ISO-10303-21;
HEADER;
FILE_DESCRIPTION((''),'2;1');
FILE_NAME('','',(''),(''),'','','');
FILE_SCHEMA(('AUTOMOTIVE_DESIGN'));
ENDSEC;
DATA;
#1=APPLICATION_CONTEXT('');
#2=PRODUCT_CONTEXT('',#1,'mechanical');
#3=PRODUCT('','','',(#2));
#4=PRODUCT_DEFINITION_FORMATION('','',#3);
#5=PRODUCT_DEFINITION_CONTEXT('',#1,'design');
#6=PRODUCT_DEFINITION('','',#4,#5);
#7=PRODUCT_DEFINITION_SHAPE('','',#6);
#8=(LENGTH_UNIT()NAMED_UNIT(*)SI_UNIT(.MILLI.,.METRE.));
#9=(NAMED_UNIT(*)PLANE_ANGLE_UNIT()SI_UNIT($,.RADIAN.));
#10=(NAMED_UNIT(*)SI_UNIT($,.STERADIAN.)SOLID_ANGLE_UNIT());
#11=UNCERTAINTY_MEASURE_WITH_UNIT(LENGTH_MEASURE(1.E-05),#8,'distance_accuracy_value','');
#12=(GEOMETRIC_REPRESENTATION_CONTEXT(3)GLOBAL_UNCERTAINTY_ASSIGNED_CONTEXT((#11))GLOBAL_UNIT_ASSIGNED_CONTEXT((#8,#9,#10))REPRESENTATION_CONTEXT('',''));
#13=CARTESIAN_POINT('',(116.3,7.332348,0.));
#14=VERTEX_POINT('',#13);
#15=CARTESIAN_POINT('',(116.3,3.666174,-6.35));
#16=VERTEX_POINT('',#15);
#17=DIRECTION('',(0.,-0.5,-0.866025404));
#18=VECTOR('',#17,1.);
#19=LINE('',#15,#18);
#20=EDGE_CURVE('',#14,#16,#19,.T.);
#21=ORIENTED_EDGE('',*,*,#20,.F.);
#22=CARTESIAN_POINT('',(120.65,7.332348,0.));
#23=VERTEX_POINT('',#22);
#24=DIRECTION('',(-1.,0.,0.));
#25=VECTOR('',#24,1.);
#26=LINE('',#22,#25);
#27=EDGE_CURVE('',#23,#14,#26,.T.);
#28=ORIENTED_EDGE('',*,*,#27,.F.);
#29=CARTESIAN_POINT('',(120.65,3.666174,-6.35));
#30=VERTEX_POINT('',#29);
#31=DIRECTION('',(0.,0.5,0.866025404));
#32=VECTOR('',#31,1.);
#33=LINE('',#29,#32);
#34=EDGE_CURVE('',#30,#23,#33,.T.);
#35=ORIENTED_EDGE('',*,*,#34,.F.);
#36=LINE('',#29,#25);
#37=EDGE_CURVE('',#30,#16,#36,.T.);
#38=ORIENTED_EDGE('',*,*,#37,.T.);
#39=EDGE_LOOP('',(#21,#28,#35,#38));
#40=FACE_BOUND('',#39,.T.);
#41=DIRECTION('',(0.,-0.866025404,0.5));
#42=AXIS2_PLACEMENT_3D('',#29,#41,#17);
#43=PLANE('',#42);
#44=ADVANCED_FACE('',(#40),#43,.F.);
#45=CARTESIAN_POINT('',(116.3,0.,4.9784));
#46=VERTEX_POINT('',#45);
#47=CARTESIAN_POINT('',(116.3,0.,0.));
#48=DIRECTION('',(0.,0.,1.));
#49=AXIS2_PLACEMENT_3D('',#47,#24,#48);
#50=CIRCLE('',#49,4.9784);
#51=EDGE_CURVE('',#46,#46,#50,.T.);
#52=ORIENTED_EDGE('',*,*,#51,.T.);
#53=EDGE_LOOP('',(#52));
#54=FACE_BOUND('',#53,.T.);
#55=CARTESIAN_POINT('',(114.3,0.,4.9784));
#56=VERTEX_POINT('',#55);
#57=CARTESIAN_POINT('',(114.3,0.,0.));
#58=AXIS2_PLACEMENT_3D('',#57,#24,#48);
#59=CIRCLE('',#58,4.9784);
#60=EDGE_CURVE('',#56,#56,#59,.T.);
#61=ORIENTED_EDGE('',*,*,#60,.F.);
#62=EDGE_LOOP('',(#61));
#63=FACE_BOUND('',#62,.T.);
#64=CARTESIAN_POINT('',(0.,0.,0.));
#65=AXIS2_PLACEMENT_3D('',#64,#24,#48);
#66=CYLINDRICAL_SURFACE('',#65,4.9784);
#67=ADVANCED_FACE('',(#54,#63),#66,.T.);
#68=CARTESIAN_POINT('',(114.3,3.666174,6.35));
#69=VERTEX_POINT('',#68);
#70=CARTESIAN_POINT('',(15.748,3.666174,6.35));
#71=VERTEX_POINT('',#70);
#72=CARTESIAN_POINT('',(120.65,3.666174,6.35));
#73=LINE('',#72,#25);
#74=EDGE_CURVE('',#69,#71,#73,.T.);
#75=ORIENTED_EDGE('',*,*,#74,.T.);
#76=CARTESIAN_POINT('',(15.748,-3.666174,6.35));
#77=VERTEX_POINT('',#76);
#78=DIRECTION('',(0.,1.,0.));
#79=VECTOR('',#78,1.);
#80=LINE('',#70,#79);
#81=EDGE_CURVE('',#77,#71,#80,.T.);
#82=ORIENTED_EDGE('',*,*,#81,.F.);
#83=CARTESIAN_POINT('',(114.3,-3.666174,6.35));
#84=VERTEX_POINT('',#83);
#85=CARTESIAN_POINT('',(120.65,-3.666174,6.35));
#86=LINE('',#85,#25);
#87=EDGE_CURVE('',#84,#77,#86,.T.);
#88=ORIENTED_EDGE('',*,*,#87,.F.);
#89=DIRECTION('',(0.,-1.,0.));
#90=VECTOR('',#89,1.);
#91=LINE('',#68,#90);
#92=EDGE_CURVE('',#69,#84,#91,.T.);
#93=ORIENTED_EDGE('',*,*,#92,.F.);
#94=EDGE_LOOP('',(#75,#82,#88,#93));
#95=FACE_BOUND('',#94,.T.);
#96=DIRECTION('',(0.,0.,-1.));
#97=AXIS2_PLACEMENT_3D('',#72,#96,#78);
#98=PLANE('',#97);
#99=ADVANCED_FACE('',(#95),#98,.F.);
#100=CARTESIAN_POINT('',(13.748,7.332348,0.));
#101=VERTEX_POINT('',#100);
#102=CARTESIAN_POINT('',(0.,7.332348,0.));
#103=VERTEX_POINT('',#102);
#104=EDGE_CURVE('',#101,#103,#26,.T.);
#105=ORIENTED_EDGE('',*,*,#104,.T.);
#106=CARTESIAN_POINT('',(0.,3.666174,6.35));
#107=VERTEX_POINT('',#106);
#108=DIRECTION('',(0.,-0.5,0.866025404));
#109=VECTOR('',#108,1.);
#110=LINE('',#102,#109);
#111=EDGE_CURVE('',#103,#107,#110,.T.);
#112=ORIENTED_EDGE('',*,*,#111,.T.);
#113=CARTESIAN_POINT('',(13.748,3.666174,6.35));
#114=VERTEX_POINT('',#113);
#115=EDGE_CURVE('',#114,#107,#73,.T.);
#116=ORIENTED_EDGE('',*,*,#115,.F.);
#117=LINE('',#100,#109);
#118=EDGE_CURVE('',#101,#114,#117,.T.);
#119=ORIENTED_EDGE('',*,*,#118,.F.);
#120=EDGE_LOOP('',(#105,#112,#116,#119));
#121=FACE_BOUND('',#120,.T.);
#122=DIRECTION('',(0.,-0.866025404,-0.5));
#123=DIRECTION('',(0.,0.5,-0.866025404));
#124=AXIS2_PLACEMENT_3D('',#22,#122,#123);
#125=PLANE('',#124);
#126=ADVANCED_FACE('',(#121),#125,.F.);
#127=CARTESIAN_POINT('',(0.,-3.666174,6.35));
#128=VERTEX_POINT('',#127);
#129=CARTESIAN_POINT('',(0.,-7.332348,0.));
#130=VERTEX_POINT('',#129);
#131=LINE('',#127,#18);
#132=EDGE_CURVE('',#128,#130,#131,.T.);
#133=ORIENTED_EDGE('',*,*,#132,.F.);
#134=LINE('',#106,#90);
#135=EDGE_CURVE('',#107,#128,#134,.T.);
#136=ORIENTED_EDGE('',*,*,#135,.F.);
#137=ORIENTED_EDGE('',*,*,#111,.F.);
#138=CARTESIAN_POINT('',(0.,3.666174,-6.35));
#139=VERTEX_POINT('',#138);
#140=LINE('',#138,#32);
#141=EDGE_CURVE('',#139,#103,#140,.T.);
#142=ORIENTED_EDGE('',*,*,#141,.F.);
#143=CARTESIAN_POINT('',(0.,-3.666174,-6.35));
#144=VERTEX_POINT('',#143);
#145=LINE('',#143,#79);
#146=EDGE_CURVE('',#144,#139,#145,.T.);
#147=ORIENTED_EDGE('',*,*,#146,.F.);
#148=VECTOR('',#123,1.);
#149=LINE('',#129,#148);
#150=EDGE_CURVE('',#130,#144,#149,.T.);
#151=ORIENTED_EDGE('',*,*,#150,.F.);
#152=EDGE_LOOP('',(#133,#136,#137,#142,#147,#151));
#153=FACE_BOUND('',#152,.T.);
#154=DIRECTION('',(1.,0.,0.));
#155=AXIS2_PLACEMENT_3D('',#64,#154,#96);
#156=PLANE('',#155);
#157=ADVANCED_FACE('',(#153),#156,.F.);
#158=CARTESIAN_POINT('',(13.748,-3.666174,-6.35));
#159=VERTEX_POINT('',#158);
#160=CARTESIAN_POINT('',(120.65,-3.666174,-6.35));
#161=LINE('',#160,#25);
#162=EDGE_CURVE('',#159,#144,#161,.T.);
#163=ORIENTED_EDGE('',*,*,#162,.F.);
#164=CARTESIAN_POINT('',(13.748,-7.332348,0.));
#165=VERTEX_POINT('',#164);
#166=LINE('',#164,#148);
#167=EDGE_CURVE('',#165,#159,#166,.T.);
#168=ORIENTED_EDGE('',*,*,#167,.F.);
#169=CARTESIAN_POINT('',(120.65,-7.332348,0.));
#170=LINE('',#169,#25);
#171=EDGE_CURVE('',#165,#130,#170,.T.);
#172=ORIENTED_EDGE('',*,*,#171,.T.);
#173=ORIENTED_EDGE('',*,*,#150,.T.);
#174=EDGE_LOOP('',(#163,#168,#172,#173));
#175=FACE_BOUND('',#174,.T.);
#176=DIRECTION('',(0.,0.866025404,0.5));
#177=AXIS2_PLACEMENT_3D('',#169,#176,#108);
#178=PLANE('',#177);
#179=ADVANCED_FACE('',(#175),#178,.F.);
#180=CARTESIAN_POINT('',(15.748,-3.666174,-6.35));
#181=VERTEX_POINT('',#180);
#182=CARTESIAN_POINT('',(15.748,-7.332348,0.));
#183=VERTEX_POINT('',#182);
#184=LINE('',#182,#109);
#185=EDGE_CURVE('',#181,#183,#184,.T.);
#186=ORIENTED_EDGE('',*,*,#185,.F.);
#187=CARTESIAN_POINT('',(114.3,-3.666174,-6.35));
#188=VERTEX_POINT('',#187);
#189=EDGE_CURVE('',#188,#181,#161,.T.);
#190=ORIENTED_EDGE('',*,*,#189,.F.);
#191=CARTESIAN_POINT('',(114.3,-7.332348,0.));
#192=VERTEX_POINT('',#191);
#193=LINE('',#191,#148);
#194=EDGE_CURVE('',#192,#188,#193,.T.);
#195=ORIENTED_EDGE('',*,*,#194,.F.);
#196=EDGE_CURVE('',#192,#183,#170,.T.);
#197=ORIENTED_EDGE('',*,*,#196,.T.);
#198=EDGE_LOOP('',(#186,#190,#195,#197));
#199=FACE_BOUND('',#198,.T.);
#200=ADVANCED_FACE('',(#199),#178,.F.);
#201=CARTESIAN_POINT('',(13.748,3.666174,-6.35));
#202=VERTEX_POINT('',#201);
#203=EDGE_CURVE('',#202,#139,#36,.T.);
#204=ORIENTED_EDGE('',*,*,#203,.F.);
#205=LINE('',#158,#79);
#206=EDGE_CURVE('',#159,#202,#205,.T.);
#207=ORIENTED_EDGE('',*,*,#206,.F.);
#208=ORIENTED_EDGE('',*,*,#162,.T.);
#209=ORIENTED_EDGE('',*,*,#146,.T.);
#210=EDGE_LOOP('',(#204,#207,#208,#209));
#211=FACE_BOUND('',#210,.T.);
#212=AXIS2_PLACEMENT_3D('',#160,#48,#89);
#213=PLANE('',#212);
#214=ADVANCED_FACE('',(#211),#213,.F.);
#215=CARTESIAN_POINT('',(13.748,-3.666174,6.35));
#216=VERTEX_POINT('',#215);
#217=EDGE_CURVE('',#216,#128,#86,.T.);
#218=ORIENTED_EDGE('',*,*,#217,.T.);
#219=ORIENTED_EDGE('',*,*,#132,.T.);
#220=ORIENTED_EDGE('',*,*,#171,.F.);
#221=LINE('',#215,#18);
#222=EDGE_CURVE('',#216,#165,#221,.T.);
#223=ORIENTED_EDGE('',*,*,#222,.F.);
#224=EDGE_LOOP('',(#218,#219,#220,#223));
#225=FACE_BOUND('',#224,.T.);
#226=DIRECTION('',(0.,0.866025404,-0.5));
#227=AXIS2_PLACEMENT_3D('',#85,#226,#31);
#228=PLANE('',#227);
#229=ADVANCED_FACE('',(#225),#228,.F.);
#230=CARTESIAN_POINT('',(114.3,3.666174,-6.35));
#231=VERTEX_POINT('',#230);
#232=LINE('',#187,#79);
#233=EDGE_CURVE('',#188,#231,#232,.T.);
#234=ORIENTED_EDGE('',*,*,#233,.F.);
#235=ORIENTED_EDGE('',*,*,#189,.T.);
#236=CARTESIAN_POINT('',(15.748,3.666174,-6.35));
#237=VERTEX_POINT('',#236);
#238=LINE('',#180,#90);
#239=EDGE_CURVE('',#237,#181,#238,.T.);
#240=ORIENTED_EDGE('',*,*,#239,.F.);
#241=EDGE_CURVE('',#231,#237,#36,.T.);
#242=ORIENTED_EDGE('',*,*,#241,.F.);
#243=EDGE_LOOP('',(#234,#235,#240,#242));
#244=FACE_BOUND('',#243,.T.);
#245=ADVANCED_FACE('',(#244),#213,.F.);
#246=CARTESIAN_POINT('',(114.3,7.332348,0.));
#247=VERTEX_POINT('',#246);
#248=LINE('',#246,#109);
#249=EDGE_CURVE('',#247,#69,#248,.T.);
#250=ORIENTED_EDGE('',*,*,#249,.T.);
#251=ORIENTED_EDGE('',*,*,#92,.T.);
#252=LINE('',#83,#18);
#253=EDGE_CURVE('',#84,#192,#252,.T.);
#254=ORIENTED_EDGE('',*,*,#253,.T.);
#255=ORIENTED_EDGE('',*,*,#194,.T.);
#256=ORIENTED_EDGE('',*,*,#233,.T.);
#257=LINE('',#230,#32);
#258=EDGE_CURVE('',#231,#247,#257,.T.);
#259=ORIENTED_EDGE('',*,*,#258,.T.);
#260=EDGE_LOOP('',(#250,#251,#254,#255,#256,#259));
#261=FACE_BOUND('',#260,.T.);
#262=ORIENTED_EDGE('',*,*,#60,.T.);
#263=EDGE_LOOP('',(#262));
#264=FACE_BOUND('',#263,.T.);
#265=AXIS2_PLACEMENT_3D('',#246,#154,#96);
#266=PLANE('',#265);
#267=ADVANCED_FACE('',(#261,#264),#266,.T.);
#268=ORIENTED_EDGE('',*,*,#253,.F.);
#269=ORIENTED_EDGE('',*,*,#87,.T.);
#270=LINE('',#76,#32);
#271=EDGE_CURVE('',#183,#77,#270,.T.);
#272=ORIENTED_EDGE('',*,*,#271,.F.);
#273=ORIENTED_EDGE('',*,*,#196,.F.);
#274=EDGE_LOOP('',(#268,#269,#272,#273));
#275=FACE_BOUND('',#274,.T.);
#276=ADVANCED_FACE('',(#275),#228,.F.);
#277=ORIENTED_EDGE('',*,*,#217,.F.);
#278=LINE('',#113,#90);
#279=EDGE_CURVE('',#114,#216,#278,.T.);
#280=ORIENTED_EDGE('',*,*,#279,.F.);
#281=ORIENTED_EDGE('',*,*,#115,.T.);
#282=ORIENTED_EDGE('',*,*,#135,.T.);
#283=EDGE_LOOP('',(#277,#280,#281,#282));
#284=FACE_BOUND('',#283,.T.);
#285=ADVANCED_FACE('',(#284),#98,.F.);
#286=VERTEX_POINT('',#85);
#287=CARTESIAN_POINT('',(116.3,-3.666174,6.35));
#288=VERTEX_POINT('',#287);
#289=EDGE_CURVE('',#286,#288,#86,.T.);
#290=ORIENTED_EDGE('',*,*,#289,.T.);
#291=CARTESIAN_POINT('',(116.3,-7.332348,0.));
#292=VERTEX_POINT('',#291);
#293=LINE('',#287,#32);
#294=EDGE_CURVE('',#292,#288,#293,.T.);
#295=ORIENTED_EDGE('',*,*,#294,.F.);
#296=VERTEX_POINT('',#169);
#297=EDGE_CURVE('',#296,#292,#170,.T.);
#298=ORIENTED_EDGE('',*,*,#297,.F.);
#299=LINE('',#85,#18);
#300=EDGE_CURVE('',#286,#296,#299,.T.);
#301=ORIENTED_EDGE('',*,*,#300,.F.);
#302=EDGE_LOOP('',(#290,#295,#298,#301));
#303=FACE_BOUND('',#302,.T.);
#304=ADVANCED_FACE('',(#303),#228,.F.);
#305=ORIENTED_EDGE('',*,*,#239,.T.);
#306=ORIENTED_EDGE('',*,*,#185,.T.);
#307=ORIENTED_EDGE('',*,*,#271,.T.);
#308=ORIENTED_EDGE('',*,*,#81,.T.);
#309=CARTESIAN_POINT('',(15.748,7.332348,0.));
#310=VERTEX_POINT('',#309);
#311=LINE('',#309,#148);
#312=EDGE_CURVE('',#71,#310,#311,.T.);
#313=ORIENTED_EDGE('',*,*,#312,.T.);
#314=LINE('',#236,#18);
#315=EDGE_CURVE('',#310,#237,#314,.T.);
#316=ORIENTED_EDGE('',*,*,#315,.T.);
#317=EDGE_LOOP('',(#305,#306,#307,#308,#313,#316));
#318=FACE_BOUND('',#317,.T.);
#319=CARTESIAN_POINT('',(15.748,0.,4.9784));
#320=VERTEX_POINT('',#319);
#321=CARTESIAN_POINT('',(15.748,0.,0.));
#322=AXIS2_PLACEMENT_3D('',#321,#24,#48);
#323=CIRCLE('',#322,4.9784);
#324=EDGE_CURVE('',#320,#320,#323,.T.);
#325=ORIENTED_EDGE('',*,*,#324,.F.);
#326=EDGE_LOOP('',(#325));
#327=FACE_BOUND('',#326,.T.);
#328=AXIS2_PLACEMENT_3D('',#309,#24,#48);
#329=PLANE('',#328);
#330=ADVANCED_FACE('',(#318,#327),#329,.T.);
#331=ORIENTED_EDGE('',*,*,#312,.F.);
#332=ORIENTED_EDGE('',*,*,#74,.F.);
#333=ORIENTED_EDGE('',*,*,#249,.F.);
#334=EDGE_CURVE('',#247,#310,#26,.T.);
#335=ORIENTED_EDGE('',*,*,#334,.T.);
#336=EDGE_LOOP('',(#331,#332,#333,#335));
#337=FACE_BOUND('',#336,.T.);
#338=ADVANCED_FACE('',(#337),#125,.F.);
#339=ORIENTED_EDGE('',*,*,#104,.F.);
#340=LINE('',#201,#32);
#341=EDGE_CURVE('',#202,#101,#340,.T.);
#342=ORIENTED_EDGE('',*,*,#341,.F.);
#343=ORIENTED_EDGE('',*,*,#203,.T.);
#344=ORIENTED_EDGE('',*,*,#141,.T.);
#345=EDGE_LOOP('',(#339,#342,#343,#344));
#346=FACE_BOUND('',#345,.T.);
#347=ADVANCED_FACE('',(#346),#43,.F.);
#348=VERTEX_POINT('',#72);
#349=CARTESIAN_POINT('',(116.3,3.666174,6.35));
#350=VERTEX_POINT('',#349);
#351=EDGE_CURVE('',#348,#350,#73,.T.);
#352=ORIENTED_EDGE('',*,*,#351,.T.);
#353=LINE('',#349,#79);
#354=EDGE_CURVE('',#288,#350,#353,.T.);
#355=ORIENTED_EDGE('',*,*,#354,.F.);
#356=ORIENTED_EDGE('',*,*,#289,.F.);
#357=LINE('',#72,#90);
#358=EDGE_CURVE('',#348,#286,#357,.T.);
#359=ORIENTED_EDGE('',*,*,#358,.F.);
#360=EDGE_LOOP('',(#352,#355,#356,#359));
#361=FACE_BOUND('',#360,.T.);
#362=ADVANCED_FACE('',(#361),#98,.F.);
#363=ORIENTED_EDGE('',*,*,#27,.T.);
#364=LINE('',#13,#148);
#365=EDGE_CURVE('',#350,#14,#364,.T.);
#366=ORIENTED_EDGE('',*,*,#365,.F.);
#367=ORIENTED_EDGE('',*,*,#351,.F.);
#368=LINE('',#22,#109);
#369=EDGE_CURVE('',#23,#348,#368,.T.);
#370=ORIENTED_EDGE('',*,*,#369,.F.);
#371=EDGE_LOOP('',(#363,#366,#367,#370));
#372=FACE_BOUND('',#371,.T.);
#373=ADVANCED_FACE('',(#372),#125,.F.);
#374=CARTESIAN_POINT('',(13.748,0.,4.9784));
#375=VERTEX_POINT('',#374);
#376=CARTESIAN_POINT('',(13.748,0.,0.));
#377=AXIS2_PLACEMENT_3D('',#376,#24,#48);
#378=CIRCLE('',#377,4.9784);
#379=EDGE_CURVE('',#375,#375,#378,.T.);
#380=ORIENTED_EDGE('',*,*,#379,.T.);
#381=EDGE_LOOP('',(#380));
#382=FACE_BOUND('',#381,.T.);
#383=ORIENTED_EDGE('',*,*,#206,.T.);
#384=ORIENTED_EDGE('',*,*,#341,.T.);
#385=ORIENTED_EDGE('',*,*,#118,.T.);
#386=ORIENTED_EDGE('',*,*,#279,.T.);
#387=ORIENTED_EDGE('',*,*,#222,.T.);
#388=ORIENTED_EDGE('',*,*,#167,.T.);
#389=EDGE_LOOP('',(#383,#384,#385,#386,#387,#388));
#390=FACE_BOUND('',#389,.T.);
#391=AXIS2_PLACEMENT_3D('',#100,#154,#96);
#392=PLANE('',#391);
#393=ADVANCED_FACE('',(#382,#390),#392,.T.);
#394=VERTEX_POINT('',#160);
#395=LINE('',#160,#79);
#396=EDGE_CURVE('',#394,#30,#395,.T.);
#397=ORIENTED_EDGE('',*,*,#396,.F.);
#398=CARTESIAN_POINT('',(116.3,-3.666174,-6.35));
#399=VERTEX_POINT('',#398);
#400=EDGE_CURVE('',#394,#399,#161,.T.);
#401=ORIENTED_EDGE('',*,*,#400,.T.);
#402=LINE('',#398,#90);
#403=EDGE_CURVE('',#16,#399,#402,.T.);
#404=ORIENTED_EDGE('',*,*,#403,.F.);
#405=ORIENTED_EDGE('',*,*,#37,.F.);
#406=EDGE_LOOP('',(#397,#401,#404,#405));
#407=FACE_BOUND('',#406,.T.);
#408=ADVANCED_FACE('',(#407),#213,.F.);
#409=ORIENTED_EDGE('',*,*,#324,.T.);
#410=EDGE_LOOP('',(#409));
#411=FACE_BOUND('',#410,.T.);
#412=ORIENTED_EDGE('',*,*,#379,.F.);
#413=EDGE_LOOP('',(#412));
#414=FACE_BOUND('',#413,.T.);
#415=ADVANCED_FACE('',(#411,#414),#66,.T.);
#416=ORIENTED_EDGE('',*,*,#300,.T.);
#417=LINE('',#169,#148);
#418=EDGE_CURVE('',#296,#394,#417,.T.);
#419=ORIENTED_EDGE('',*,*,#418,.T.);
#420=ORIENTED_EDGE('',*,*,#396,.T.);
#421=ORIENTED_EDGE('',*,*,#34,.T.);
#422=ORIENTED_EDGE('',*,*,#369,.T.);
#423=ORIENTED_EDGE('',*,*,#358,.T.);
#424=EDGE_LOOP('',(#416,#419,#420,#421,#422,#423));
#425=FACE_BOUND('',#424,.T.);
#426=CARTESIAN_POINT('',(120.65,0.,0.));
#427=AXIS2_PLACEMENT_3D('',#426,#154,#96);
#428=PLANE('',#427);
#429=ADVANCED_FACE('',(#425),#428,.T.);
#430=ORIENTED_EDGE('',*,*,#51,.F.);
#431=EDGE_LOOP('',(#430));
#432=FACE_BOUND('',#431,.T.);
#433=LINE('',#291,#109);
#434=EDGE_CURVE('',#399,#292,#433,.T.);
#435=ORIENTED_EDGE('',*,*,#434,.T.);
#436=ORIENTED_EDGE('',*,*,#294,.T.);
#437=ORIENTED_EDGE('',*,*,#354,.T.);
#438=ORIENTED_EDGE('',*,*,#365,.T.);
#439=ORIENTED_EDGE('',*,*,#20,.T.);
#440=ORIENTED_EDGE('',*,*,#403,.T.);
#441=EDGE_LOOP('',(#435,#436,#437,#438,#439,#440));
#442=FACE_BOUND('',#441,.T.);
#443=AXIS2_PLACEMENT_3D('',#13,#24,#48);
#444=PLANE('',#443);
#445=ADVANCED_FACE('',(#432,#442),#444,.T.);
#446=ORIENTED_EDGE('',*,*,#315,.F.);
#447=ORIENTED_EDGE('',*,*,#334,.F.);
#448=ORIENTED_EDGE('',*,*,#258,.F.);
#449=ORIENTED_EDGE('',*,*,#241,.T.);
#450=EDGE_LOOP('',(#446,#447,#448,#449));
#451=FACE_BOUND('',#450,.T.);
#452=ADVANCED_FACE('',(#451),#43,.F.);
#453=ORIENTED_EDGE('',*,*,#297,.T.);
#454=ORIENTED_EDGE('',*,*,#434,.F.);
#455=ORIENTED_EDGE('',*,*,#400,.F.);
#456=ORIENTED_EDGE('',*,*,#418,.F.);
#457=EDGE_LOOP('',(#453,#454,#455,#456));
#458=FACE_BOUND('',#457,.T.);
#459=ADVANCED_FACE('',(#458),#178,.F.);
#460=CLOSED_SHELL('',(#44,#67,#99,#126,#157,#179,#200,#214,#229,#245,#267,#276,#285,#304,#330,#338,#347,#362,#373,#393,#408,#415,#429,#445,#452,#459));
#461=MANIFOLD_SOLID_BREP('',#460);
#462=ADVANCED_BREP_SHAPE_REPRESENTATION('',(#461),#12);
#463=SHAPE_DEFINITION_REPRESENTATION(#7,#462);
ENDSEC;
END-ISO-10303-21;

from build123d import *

# Parameters (mm, degrees)
BOSS_EXTRUDE1_DEPTH = 120.65
SKETCH2_W           = 2
SKETCH2_H           = 2.353948419


with BuildPart() as part:
    # Sketch1 → Boss-Extrude1 (new body)
    with BuildSketch(Plane(origin=(0, 0, 0), x_dir=(0, 0, -1), z_dir=(1, 0, 0))):
        Polygon((0, 7.332348419), (-6.35, 3.666174209), (-6.35, -3.666174209), (0, -7.332348419), (6.35, -3.666174209), (6.35, 3.666174209), align=None)
    extrude(amount=BOSS_EXTRUDE1_DEPTH)

    # Sketch2 → Cut-Revolve1 (revolve, cut)
    with BuildSketch(Plane.XY):
        with Locations((115.3, 6.15537421)):
            Rectangle(SKETCH2_W, SKETCH2_H)
        with Locations((14.748, 6.15537421)):
            Rectangle(SKETCH2_W, SKETCH2_H)
    revolve(axis=Axis((0, 0, 0), (1, 0, 0)), mode=Mode.SUBTRACT)


solid = part.part
